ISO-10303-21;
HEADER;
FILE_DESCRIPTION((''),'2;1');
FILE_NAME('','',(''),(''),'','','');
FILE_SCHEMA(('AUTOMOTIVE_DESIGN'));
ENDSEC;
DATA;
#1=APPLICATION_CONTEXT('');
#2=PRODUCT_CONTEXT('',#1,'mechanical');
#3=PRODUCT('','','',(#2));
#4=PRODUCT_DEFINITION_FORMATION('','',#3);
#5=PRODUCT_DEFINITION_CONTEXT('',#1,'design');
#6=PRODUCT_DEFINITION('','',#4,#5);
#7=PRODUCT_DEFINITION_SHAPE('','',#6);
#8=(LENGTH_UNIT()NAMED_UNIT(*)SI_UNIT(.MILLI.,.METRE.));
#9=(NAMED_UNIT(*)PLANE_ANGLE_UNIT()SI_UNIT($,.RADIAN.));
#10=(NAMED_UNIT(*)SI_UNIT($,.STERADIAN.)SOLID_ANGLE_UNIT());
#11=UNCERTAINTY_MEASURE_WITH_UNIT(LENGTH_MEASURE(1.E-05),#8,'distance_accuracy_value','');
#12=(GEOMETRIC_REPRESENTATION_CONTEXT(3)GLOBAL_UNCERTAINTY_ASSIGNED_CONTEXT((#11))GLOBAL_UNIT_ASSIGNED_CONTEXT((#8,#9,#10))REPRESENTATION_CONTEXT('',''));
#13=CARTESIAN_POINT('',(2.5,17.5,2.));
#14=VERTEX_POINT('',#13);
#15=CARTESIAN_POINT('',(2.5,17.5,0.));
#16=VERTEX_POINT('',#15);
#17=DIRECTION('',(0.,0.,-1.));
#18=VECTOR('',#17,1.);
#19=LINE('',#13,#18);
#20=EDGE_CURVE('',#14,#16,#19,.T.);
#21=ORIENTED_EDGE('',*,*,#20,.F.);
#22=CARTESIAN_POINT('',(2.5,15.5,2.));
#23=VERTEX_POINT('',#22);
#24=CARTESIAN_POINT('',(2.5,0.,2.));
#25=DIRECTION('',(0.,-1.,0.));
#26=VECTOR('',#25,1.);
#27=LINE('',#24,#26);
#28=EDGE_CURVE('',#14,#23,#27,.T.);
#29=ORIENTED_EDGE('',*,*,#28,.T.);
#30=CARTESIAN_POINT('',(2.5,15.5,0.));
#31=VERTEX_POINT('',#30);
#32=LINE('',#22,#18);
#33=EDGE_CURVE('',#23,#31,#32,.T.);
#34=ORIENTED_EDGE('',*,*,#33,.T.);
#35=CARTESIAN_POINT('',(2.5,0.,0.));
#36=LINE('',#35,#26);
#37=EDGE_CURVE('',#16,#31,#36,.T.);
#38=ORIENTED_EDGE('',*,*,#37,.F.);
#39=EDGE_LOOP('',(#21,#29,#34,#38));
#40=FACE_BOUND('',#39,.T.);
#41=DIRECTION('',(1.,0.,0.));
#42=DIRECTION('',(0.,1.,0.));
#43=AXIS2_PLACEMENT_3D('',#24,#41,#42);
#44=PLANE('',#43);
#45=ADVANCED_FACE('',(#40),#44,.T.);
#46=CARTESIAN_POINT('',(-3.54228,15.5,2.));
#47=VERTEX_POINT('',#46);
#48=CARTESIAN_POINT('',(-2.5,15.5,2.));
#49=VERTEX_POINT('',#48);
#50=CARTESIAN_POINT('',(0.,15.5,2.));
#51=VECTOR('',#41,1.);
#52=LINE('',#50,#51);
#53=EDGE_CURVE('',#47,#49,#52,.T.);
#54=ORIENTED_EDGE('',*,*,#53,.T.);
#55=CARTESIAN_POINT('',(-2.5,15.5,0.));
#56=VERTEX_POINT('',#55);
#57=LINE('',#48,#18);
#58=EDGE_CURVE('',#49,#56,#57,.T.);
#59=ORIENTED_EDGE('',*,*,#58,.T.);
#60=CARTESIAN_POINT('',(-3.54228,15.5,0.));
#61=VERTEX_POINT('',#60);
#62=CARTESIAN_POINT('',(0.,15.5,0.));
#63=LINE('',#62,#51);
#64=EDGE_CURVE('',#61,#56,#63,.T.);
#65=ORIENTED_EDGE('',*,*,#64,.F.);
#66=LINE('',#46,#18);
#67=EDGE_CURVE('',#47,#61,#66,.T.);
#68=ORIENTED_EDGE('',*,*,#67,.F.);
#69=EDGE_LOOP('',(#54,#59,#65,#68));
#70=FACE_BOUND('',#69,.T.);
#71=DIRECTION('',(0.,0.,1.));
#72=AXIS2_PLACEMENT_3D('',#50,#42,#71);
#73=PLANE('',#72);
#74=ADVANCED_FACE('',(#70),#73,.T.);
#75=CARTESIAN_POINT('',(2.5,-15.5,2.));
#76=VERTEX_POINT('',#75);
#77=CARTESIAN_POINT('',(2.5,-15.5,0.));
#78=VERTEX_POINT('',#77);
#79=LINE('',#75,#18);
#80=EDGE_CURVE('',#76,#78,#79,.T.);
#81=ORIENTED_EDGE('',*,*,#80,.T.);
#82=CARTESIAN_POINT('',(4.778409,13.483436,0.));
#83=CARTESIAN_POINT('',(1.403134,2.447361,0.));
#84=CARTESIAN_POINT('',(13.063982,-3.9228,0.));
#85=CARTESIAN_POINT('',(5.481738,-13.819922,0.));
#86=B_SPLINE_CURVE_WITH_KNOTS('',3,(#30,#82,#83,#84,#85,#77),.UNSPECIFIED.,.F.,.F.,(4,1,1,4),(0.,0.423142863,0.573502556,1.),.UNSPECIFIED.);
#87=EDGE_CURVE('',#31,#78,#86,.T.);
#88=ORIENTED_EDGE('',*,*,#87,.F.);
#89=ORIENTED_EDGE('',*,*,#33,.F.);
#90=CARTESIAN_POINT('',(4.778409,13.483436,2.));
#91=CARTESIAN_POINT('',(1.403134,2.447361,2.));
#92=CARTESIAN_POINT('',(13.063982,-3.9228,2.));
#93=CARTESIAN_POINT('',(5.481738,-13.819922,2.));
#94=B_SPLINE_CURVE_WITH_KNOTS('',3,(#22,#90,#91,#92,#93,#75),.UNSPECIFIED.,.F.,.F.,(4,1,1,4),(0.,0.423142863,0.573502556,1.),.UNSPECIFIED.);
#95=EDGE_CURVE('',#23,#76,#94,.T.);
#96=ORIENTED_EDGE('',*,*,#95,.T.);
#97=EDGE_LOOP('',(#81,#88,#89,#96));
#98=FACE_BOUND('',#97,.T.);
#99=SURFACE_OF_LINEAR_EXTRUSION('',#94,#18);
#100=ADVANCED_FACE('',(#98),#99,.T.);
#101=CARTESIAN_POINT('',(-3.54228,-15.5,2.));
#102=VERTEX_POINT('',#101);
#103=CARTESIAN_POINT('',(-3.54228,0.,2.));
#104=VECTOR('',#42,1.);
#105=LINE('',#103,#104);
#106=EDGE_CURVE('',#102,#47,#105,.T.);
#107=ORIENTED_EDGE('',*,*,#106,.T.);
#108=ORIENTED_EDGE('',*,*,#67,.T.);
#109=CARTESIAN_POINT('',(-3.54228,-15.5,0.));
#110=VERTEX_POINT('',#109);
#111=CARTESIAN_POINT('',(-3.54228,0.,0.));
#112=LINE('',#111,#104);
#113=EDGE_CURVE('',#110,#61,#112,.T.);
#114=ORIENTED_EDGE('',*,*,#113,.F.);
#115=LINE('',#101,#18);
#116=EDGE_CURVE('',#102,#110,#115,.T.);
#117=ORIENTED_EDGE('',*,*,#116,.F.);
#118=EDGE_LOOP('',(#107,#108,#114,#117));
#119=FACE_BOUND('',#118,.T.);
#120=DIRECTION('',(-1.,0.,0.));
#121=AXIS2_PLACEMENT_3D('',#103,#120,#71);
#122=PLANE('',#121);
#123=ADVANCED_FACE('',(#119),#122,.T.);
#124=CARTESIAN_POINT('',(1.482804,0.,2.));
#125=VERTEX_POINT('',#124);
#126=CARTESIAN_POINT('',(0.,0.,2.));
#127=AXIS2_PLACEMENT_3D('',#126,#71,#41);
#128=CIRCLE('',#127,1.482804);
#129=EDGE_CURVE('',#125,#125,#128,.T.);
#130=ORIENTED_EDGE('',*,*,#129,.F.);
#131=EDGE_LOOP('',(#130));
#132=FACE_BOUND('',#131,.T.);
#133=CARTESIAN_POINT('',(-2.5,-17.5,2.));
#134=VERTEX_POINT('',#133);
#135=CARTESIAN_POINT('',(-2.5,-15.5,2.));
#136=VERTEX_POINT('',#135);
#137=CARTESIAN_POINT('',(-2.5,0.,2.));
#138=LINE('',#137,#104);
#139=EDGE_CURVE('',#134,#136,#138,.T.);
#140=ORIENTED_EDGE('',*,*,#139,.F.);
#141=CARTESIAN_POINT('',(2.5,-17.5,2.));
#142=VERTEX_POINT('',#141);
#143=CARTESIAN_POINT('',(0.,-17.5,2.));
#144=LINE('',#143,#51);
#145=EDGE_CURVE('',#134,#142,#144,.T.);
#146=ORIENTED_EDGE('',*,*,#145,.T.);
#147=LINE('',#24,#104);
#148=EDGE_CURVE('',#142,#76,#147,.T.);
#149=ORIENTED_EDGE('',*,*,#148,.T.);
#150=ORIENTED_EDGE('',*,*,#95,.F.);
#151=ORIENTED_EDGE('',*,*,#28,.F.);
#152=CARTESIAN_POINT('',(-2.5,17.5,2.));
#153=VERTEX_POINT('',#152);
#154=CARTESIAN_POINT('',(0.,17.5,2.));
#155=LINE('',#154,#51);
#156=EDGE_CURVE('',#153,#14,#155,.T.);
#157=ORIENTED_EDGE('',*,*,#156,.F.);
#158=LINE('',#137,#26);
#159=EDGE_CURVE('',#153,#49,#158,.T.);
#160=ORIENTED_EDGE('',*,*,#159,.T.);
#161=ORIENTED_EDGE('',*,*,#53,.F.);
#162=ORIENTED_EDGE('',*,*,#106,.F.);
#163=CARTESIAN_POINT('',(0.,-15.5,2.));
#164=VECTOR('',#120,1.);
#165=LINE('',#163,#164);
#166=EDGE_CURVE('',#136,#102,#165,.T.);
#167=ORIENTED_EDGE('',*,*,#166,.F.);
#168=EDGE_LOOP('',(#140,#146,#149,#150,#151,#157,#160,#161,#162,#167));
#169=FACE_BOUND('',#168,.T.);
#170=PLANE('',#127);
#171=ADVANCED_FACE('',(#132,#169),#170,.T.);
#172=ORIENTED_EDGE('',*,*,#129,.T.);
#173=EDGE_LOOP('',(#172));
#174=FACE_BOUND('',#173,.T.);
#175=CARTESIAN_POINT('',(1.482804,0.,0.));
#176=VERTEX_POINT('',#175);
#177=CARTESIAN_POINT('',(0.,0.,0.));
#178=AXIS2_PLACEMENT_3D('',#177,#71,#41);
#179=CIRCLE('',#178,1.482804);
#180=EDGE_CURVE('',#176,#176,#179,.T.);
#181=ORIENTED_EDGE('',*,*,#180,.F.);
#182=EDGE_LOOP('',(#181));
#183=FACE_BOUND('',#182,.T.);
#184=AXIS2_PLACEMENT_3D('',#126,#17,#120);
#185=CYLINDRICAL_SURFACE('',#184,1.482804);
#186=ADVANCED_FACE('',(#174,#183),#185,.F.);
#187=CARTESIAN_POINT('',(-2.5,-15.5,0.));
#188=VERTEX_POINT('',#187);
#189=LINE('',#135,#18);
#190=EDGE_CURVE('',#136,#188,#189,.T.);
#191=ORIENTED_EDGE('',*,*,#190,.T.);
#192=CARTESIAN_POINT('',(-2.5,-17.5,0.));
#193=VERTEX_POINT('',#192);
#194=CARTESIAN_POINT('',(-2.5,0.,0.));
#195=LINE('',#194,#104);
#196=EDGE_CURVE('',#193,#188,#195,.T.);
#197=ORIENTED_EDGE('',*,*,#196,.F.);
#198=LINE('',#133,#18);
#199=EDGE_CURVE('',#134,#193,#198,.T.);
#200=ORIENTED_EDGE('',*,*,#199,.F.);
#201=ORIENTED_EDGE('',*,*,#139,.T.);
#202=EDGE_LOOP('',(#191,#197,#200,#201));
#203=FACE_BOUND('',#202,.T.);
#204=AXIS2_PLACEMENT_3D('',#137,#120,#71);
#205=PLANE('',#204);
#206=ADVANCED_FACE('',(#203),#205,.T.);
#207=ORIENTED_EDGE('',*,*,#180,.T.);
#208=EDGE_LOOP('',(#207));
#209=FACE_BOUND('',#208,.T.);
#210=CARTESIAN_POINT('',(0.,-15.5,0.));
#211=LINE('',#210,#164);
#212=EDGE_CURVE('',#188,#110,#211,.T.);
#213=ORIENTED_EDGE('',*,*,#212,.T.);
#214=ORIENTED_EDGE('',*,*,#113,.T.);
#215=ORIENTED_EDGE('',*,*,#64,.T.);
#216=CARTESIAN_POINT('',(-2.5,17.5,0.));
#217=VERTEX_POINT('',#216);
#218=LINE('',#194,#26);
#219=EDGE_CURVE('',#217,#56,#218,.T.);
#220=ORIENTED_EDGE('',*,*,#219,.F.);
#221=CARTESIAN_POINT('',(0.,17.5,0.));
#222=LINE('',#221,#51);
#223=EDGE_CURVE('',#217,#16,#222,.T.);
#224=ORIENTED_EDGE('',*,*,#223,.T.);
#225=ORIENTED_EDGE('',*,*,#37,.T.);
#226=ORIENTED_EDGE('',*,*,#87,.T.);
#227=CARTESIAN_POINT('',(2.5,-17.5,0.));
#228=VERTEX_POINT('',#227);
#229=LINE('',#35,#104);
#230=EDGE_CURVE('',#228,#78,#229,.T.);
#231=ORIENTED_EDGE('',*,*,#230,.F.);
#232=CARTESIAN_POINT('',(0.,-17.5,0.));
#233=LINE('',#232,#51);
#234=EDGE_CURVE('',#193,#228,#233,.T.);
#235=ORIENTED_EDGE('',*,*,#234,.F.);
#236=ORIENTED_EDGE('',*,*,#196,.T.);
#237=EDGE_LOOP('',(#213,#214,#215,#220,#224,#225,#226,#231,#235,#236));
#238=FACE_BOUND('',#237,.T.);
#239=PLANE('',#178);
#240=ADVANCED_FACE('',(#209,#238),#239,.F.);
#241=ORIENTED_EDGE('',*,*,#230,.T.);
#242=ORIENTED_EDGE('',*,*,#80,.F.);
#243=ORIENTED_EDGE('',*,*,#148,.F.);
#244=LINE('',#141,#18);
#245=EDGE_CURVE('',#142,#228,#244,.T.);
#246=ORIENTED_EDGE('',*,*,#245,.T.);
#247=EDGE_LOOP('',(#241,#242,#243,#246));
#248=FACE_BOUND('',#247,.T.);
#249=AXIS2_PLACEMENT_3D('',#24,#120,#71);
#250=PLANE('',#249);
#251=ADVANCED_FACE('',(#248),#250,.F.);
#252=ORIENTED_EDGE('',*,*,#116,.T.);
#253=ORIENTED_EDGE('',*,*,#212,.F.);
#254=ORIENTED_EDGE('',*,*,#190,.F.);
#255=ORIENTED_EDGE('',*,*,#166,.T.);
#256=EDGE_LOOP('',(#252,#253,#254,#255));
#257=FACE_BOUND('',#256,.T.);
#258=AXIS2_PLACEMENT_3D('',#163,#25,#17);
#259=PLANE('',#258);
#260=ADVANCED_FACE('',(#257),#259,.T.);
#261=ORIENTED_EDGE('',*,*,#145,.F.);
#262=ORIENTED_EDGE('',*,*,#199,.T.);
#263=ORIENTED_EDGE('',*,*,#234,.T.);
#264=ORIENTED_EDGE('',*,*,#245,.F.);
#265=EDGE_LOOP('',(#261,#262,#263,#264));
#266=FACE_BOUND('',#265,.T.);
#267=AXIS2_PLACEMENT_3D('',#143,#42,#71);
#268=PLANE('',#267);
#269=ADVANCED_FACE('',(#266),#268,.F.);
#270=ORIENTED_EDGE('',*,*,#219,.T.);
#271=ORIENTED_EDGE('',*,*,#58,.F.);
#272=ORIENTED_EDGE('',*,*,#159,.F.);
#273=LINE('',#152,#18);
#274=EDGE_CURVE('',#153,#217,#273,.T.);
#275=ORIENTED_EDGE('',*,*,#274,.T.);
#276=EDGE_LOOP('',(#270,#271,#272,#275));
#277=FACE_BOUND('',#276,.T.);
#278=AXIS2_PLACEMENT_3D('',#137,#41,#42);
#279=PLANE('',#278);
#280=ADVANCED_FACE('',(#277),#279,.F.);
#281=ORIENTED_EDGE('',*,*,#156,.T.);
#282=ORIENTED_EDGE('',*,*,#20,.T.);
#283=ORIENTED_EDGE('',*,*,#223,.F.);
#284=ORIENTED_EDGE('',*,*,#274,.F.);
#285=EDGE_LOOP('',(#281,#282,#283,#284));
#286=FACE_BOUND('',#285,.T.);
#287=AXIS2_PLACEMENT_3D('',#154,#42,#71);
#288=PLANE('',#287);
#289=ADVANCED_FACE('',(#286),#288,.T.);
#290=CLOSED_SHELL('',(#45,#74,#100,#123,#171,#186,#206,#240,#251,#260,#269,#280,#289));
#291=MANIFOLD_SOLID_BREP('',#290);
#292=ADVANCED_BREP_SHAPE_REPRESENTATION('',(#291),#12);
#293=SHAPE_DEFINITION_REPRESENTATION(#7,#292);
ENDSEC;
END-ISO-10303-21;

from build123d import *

# Parameters (mm, degrees)
CROQUIS1_W              = 5
CROQUIS1_H              = 2
CROQUIS1_R              = 1.48280389
SALIENTE_EXTRUIR1_DEPTH = 2


with BuildPart() as part:
    # Croquis1 → Saliente-Extruir1 (new body)
    # profile 1 of 3: a face of its own
    with BuildSketch(Plane.XY):
        with Locations((0, 16.5)):
            Rectangle(CROQUIS1_W, CROQUIS1_H)
    # profile 2 of 3: a face of its own
    with BuildSketch(Plane.XY):
        with BuildLine():
            Line((2.5, 15.5), (-2.5, 15.5))
            Line((-2.5, 15.5), (-3.542279833, 15.5))
            Line((-3.542279833, 15.5), (-3.542279833, -15.5))
            Line((-3.542279833, -15.5), (-2.5, -15.5))
            Line((-2.5, -15.5), (2.5, -15.5))
            add(Edge.make_bspline(
                [(2.5, 15.5), (4.778408881, 13.483435517), (1.403134335, 2.447360993), (13.063981649, -3.922799688), (5.481738283, -13.819921802), (2.5, -15.5)],
                knots=[0, 0, 0, 0, 0.423142863, 0.573502556, 1, 1, 1, 1], degree=3))
        make_face()
        Circle(CROQUIS1_R, mode=Mode.SUBTRACT)
    # profile 3 of 3: a face of its own
    with BuildSketch(Plane.XY):
        with Locations((0, -16.5)):
            Rectangle(CROQUIS1_W, CROQUIS1_H)
    extrude(amount=SALIENTE_EXTRUIR1_DEPTH)


solid = part.part
